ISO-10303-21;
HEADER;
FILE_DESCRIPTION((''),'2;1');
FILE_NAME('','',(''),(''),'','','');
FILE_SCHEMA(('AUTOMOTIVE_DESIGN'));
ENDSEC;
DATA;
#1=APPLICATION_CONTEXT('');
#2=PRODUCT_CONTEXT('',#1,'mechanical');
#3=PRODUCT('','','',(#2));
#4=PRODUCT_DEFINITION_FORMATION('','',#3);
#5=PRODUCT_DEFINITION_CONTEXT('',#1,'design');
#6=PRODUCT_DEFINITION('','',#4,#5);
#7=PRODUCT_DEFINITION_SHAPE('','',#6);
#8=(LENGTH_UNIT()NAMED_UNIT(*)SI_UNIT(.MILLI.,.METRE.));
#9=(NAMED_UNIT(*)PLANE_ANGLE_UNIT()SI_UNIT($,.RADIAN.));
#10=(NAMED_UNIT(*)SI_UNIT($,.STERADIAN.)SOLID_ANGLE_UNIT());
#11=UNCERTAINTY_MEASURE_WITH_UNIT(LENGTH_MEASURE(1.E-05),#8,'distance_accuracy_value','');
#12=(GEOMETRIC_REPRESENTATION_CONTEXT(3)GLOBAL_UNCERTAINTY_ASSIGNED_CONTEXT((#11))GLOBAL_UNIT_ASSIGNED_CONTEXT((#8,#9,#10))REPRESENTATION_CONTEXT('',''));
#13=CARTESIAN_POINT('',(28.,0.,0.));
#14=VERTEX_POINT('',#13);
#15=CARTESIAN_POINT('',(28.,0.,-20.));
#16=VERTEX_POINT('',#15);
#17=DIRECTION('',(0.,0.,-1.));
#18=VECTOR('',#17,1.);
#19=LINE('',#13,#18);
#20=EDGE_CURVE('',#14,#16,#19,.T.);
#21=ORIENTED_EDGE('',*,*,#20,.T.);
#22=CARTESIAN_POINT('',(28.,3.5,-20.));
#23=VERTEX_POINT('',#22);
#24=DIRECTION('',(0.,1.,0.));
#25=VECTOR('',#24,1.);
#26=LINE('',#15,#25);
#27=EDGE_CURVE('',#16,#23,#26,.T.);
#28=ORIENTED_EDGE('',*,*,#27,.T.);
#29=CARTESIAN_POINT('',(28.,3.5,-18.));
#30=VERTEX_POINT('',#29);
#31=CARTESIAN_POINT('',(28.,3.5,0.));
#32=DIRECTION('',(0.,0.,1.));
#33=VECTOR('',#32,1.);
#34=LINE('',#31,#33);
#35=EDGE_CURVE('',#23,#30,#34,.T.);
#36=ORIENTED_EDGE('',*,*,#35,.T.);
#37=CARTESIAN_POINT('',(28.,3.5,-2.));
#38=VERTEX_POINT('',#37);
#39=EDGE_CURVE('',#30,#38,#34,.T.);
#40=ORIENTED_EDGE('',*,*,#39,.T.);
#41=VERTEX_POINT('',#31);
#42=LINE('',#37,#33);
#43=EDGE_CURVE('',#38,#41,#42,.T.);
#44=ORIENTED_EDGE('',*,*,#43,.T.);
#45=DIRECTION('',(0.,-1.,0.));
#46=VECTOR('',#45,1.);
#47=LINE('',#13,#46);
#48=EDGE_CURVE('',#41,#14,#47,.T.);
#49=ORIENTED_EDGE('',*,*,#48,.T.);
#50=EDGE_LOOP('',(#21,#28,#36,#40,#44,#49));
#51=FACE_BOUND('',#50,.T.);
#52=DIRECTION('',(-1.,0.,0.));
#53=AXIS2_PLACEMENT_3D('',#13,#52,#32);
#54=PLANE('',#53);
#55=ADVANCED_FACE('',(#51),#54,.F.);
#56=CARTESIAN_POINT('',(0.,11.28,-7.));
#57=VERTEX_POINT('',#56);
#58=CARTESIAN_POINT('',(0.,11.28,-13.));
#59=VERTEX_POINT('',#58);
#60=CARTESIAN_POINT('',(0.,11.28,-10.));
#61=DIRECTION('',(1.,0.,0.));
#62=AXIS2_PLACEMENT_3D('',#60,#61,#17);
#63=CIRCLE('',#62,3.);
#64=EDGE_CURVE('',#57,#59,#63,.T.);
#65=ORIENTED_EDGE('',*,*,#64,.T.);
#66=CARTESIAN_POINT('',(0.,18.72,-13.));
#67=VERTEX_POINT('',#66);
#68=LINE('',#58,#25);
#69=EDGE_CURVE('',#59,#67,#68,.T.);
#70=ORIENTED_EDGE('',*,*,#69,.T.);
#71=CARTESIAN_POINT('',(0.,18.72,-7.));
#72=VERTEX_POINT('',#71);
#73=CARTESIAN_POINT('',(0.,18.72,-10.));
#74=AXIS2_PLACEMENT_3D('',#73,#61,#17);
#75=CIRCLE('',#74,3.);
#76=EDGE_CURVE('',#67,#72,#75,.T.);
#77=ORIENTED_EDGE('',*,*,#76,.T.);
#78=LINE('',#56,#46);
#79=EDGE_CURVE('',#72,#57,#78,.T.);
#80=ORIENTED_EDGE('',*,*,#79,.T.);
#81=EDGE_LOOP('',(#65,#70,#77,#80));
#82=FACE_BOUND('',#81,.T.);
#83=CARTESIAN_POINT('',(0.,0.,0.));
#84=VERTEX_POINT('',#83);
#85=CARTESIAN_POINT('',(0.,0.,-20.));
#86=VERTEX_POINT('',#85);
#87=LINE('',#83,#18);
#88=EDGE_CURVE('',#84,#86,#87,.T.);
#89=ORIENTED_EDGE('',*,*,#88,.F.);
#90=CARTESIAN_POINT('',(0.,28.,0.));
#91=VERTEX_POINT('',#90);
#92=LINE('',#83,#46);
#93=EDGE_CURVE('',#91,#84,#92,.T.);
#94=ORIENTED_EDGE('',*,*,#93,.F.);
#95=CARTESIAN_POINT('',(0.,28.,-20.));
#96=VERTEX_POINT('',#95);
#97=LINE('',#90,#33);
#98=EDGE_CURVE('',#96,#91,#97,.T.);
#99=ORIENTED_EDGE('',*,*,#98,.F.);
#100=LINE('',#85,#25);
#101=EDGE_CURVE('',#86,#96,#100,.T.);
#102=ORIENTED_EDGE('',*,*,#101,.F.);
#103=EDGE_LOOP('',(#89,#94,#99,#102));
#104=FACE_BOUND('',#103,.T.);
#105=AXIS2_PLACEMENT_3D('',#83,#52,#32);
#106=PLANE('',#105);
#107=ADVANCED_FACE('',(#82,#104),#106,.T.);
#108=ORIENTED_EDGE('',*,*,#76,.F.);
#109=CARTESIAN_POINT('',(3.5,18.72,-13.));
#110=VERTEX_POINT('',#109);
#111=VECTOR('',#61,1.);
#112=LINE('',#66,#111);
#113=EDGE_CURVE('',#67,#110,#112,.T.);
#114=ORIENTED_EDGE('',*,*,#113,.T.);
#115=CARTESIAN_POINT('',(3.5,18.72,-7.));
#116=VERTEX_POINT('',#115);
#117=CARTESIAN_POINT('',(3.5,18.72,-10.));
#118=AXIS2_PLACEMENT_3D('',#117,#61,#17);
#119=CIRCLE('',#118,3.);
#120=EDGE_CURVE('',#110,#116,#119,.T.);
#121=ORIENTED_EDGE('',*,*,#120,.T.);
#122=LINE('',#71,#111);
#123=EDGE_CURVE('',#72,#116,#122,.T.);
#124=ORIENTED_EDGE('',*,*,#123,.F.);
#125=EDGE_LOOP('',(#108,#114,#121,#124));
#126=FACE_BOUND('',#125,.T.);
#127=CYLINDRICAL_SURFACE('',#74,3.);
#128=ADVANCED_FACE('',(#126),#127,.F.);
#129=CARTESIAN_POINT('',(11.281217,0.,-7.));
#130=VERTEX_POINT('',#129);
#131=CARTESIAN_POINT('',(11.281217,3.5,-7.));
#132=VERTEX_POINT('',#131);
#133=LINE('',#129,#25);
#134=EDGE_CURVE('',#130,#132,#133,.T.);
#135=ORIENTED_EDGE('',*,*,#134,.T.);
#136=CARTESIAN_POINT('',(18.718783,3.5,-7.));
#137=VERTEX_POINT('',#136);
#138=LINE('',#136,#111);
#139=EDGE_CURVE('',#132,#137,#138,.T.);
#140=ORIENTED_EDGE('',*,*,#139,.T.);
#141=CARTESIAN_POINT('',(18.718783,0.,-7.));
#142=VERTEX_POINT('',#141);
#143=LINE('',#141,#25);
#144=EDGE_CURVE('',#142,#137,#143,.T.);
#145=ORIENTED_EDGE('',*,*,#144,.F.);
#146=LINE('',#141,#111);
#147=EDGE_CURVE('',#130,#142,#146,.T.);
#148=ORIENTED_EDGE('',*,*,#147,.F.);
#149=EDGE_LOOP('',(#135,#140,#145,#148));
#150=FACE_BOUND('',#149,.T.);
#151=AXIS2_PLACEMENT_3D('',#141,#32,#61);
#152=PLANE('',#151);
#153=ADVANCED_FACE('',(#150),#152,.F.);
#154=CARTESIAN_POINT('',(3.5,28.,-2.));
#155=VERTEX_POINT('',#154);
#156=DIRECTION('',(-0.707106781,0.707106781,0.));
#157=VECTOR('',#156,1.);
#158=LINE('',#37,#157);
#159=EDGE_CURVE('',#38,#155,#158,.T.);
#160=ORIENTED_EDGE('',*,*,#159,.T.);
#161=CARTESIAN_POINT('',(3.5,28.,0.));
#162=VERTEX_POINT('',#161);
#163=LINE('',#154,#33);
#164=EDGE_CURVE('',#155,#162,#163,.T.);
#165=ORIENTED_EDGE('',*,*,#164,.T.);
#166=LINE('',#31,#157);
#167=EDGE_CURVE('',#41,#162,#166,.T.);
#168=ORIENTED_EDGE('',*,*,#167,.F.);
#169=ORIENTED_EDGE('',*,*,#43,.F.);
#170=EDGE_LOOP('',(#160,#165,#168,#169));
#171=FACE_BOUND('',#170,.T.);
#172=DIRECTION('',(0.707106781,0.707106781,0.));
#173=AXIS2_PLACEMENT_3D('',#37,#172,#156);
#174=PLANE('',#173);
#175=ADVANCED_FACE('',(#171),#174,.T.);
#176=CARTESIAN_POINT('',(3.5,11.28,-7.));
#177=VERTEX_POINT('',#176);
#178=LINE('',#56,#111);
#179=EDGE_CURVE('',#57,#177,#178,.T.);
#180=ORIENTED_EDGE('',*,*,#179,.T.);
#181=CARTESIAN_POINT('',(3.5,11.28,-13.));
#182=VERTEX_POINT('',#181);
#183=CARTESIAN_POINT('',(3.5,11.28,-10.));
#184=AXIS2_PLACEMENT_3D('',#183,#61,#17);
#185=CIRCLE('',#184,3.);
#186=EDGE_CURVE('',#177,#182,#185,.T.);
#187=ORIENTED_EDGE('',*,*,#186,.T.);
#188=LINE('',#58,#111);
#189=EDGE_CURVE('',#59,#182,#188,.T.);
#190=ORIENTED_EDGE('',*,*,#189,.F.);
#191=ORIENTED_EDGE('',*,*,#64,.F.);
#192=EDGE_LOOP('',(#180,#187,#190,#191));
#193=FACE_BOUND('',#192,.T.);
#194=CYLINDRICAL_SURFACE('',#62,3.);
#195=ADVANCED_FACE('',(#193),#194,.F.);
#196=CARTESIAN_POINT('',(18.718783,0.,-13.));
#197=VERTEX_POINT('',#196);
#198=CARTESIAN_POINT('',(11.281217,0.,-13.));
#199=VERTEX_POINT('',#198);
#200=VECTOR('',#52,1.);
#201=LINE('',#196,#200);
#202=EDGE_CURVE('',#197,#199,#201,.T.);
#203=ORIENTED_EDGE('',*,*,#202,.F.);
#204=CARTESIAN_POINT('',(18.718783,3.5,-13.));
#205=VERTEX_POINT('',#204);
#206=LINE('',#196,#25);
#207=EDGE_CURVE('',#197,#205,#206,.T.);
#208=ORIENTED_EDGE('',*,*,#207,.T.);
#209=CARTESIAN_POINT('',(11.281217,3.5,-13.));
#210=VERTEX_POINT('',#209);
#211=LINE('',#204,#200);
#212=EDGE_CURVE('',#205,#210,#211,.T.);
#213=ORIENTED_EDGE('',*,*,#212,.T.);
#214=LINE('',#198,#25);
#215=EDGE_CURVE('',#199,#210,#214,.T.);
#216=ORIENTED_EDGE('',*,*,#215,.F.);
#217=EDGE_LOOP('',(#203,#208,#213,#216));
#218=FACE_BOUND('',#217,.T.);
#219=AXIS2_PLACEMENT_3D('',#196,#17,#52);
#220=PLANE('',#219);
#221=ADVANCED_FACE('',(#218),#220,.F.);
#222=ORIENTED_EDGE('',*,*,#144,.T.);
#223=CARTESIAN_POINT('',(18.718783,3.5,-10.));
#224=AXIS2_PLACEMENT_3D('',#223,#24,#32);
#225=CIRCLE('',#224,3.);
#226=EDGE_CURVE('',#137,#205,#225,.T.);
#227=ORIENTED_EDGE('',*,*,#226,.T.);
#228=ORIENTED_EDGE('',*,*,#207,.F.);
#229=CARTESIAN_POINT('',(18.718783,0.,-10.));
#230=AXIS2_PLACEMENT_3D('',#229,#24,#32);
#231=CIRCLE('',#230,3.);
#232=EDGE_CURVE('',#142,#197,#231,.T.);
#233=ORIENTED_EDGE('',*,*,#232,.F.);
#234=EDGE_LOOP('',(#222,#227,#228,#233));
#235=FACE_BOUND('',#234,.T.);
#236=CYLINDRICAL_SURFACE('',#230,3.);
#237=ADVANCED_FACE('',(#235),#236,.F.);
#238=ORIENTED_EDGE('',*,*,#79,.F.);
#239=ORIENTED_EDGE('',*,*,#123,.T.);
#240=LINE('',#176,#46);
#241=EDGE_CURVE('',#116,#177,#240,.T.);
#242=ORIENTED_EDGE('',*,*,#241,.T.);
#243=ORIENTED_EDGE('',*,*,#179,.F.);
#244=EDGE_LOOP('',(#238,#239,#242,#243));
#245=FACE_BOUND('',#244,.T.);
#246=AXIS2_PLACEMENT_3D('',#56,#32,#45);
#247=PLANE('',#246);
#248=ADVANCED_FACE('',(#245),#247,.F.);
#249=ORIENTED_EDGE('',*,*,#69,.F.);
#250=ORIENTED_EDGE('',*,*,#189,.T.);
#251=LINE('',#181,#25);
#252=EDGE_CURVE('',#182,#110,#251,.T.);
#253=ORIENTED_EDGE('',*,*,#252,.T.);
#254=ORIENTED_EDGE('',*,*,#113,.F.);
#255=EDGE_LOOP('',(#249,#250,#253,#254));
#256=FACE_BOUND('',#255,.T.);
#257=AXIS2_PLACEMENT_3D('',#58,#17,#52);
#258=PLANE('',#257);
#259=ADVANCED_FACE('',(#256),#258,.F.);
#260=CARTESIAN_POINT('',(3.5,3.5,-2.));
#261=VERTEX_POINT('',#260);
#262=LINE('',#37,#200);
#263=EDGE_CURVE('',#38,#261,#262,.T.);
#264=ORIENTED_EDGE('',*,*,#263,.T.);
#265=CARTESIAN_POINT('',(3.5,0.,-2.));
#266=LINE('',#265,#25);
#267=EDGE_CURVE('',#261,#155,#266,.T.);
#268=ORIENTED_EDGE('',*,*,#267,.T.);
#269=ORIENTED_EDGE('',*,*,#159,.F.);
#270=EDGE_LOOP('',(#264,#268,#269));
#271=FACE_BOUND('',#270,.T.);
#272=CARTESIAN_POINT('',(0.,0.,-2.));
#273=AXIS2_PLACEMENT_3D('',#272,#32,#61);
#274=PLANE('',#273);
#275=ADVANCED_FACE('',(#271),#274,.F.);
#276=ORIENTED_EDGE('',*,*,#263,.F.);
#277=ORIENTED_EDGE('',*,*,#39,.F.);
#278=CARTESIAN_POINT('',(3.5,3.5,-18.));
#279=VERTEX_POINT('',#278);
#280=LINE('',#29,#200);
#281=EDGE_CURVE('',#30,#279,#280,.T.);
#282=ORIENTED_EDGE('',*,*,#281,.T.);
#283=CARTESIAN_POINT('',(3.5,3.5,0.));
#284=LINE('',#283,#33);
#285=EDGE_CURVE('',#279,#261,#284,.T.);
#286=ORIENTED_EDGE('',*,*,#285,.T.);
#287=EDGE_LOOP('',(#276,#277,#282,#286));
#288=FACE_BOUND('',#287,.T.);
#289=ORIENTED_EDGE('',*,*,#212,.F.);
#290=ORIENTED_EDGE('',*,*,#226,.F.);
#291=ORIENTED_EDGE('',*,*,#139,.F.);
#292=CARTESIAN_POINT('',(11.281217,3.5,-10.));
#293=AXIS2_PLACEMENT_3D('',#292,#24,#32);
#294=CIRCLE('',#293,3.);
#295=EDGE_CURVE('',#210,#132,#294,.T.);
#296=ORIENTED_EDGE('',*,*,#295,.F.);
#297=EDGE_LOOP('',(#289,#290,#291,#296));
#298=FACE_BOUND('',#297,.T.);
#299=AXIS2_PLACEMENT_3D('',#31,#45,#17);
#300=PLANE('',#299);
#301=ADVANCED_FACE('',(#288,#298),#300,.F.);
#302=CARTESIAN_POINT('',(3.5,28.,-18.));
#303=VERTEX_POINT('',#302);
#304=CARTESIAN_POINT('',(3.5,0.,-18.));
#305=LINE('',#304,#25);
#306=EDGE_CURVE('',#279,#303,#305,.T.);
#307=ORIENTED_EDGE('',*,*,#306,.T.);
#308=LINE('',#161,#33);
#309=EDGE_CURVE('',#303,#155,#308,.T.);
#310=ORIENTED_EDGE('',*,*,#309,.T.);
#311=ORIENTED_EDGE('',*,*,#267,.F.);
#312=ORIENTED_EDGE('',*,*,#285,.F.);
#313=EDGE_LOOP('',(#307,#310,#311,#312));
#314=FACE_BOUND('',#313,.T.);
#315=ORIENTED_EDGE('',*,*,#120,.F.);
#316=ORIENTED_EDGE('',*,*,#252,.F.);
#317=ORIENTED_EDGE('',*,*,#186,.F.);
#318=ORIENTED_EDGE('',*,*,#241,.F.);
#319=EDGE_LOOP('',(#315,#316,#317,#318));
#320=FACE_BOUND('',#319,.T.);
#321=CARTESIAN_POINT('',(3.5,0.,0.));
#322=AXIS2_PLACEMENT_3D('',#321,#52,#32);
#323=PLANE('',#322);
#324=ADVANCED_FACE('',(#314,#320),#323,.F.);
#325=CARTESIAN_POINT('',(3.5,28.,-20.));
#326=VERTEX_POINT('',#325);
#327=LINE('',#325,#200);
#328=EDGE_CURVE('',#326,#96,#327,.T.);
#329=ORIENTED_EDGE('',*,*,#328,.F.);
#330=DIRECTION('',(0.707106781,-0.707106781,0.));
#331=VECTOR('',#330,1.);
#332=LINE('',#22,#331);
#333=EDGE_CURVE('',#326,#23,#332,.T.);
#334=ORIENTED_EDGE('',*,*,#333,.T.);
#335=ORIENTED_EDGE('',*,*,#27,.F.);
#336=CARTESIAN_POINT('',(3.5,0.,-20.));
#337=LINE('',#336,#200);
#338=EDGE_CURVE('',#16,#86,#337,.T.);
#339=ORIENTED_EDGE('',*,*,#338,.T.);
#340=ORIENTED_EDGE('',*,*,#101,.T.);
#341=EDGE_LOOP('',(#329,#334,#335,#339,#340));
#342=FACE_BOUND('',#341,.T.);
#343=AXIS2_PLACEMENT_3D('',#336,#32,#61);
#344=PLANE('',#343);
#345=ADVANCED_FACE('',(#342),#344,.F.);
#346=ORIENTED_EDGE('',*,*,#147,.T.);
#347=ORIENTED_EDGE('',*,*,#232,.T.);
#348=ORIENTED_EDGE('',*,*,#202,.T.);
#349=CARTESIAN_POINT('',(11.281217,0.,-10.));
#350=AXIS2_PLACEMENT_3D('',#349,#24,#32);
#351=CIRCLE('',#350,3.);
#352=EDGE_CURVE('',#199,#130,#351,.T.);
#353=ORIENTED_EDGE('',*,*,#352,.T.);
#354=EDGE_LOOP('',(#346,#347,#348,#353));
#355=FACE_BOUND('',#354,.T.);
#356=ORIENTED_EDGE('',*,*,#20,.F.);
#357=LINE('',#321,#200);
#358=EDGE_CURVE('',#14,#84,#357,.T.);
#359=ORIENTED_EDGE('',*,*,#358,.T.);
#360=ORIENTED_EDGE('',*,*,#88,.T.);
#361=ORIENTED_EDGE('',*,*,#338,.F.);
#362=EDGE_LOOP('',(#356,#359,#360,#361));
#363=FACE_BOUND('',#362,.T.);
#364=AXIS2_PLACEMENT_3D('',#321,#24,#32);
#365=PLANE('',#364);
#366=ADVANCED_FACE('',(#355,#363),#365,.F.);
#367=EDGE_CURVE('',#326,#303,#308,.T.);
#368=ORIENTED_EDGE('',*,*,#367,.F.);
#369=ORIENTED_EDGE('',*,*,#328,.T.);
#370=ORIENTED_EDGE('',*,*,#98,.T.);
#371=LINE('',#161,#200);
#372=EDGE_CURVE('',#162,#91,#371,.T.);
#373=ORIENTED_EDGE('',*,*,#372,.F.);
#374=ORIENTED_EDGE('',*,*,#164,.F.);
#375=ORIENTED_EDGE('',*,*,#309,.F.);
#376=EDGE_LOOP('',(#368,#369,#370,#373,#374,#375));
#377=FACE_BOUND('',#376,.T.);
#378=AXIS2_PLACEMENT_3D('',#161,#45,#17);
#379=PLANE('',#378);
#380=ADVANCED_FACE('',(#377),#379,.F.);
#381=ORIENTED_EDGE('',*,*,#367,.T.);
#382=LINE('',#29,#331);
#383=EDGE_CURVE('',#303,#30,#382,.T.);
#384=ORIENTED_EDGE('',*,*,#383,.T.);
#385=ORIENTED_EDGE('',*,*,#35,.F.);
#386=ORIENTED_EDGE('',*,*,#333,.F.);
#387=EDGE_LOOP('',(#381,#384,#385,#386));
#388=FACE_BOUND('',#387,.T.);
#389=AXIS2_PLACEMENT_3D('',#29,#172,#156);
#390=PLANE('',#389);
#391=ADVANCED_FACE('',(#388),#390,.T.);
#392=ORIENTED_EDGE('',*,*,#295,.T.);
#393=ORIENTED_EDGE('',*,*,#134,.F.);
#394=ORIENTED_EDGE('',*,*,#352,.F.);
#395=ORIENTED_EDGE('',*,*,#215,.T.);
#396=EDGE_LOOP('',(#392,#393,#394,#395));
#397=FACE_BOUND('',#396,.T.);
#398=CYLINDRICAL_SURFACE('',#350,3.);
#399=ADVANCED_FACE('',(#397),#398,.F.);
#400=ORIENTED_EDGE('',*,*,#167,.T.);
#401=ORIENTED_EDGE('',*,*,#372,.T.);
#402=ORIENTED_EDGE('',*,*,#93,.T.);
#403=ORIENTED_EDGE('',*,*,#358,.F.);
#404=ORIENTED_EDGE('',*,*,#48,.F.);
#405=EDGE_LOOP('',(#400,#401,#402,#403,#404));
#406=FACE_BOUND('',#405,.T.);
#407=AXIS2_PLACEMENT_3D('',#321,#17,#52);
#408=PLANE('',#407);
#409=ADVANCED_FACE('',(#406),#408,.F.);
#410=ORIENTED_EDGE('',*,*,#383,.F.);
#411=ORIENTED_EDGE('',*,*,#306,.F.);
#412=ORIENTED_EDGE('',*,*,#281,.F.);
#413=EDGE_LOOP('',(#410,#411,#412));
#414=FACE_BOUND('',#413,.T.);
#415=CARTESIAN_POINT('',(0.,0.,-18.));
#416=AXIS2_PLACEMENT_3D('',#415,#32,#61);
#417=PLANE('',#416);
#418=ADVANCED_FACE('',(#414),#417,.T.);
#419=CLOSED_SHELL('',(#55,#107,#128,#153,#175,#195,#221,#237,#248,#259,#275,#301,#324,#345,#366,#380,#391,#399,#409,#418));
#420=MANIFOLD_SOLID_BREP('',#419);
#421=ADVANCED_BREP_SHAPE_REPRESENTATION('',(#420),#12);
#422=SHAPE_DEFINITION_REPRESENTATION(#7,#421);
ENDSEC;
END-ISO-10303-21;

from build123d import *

# Parameters (mm, degrees)
SKETCH1_W           = 20
SKETCH1_H           = 28
BOSS_EXTRUDE1_DEPTH = 3.5
SKETCH2_W           = 20
SKETCH2_H           = 3.5
BOSS_EXTRUDE2_DEPTH = 24.5
BOSS_EXTRUDE3_DEPTH = 2
BOSS_EXTRUDE4_DEPTH = 2
CUT_EXTRUDE1_DEPTH  = 43.240383521
CUT_EXTRUDE2_DEPTH  = 43.240383521


with BuildPart() as part:
    # Sketch1 → Boss-Extrude1 (new body)
    with BuildSketch(Plane(origin=(0, 0, 0), x_dir=(0, 0, -1), z_dir=(1, 0, 0))):
        with Locations((10, 14)):
            Rectangle(SKETCH1_W, SKETCH1_H)
    extrude(amount=BOSS_EXTRUDE1_DEPTH)

    # Sketch2 → Boss-Extrude2 (add)
    with BuildSketch(Plane(origin=(3.5, 0, 0), x_dir=(0, 0, -1), z_dir=(1, 0, 0))):
        with Locations((10, 1.75)):
            Rectangle(SKETCH2_W, SKETCH2_H)
    extrude(amount=BOSS_EXTRUDE2_DEPTH)

    # Sketch3 → Boss-Extrude3 (add)
    with BuildSketch(Plane(origin=(0, 0, -20), x_dir=(-1, 0, 0), z_dir=(0, 0, -1))):
        Polygon((-28, 0), (-28, 3.5), (-3.5, 28), (0, 28), (0, 0), align=None)
    extrude(amount=-BOSS_EXTRUDE3_DEPTH)

    # Sketch4 → Boss-Extrude4 (add)
    with BuildSketch(Plane.XY):
        Polygon((3.5, 28), (0, 28), (0, 0), (28, 0), (28, 3.5), align=None)
    extrude(amount=-BOSS_EXTRUDE4_DEPTH)

    # Sketch5 → Cut-Extrude1 (cut, through all)
    with BuildSketch(Plane(origin=(0, 3.5, 0), x_dir=(1, 0, 0), z_dir=(0, 1, 0))):
        with BuildLine():
            Line((18.718782713, 7), (11.281217287, 7))
            ThreePointArc((11.281217287, 7), (8.281217287, 10), (11.281217287, 13))
            Line((11.281217287, 13), (18.718782713, 13))
            ThreePointArc((18.718782713, 13), (21.718782713, 10), (18.718782713, 7))
        make_face()
    extrude(amount=-CUT_EXTRUDE1_DEPTH, mode=Mode.SUBTRACT)

    # Sketch6 → Cut-Extrude2 (cut, through all)
    with BuildSketch(Plane(origin=(3.5, 0, 0), x_dir=(0, 0, -1), z_dir=(1, 0, 0))):
        with BuildLine():
            Line((7, 11.28), (7, 18.72))
            ThreePointArc((7, 18.72), (10, 21.72), (13, 18.72))
            Line((13, 18.72), (13, 11.28))
            ThreePointArc((13, 11.28), (10, 8.28), (7, 11.28))
        make_face()
    extrude(amount=-CUT_EXTRUDE2_DEPTH, mode=Mode.SUBTRACT)


solid = part.part
